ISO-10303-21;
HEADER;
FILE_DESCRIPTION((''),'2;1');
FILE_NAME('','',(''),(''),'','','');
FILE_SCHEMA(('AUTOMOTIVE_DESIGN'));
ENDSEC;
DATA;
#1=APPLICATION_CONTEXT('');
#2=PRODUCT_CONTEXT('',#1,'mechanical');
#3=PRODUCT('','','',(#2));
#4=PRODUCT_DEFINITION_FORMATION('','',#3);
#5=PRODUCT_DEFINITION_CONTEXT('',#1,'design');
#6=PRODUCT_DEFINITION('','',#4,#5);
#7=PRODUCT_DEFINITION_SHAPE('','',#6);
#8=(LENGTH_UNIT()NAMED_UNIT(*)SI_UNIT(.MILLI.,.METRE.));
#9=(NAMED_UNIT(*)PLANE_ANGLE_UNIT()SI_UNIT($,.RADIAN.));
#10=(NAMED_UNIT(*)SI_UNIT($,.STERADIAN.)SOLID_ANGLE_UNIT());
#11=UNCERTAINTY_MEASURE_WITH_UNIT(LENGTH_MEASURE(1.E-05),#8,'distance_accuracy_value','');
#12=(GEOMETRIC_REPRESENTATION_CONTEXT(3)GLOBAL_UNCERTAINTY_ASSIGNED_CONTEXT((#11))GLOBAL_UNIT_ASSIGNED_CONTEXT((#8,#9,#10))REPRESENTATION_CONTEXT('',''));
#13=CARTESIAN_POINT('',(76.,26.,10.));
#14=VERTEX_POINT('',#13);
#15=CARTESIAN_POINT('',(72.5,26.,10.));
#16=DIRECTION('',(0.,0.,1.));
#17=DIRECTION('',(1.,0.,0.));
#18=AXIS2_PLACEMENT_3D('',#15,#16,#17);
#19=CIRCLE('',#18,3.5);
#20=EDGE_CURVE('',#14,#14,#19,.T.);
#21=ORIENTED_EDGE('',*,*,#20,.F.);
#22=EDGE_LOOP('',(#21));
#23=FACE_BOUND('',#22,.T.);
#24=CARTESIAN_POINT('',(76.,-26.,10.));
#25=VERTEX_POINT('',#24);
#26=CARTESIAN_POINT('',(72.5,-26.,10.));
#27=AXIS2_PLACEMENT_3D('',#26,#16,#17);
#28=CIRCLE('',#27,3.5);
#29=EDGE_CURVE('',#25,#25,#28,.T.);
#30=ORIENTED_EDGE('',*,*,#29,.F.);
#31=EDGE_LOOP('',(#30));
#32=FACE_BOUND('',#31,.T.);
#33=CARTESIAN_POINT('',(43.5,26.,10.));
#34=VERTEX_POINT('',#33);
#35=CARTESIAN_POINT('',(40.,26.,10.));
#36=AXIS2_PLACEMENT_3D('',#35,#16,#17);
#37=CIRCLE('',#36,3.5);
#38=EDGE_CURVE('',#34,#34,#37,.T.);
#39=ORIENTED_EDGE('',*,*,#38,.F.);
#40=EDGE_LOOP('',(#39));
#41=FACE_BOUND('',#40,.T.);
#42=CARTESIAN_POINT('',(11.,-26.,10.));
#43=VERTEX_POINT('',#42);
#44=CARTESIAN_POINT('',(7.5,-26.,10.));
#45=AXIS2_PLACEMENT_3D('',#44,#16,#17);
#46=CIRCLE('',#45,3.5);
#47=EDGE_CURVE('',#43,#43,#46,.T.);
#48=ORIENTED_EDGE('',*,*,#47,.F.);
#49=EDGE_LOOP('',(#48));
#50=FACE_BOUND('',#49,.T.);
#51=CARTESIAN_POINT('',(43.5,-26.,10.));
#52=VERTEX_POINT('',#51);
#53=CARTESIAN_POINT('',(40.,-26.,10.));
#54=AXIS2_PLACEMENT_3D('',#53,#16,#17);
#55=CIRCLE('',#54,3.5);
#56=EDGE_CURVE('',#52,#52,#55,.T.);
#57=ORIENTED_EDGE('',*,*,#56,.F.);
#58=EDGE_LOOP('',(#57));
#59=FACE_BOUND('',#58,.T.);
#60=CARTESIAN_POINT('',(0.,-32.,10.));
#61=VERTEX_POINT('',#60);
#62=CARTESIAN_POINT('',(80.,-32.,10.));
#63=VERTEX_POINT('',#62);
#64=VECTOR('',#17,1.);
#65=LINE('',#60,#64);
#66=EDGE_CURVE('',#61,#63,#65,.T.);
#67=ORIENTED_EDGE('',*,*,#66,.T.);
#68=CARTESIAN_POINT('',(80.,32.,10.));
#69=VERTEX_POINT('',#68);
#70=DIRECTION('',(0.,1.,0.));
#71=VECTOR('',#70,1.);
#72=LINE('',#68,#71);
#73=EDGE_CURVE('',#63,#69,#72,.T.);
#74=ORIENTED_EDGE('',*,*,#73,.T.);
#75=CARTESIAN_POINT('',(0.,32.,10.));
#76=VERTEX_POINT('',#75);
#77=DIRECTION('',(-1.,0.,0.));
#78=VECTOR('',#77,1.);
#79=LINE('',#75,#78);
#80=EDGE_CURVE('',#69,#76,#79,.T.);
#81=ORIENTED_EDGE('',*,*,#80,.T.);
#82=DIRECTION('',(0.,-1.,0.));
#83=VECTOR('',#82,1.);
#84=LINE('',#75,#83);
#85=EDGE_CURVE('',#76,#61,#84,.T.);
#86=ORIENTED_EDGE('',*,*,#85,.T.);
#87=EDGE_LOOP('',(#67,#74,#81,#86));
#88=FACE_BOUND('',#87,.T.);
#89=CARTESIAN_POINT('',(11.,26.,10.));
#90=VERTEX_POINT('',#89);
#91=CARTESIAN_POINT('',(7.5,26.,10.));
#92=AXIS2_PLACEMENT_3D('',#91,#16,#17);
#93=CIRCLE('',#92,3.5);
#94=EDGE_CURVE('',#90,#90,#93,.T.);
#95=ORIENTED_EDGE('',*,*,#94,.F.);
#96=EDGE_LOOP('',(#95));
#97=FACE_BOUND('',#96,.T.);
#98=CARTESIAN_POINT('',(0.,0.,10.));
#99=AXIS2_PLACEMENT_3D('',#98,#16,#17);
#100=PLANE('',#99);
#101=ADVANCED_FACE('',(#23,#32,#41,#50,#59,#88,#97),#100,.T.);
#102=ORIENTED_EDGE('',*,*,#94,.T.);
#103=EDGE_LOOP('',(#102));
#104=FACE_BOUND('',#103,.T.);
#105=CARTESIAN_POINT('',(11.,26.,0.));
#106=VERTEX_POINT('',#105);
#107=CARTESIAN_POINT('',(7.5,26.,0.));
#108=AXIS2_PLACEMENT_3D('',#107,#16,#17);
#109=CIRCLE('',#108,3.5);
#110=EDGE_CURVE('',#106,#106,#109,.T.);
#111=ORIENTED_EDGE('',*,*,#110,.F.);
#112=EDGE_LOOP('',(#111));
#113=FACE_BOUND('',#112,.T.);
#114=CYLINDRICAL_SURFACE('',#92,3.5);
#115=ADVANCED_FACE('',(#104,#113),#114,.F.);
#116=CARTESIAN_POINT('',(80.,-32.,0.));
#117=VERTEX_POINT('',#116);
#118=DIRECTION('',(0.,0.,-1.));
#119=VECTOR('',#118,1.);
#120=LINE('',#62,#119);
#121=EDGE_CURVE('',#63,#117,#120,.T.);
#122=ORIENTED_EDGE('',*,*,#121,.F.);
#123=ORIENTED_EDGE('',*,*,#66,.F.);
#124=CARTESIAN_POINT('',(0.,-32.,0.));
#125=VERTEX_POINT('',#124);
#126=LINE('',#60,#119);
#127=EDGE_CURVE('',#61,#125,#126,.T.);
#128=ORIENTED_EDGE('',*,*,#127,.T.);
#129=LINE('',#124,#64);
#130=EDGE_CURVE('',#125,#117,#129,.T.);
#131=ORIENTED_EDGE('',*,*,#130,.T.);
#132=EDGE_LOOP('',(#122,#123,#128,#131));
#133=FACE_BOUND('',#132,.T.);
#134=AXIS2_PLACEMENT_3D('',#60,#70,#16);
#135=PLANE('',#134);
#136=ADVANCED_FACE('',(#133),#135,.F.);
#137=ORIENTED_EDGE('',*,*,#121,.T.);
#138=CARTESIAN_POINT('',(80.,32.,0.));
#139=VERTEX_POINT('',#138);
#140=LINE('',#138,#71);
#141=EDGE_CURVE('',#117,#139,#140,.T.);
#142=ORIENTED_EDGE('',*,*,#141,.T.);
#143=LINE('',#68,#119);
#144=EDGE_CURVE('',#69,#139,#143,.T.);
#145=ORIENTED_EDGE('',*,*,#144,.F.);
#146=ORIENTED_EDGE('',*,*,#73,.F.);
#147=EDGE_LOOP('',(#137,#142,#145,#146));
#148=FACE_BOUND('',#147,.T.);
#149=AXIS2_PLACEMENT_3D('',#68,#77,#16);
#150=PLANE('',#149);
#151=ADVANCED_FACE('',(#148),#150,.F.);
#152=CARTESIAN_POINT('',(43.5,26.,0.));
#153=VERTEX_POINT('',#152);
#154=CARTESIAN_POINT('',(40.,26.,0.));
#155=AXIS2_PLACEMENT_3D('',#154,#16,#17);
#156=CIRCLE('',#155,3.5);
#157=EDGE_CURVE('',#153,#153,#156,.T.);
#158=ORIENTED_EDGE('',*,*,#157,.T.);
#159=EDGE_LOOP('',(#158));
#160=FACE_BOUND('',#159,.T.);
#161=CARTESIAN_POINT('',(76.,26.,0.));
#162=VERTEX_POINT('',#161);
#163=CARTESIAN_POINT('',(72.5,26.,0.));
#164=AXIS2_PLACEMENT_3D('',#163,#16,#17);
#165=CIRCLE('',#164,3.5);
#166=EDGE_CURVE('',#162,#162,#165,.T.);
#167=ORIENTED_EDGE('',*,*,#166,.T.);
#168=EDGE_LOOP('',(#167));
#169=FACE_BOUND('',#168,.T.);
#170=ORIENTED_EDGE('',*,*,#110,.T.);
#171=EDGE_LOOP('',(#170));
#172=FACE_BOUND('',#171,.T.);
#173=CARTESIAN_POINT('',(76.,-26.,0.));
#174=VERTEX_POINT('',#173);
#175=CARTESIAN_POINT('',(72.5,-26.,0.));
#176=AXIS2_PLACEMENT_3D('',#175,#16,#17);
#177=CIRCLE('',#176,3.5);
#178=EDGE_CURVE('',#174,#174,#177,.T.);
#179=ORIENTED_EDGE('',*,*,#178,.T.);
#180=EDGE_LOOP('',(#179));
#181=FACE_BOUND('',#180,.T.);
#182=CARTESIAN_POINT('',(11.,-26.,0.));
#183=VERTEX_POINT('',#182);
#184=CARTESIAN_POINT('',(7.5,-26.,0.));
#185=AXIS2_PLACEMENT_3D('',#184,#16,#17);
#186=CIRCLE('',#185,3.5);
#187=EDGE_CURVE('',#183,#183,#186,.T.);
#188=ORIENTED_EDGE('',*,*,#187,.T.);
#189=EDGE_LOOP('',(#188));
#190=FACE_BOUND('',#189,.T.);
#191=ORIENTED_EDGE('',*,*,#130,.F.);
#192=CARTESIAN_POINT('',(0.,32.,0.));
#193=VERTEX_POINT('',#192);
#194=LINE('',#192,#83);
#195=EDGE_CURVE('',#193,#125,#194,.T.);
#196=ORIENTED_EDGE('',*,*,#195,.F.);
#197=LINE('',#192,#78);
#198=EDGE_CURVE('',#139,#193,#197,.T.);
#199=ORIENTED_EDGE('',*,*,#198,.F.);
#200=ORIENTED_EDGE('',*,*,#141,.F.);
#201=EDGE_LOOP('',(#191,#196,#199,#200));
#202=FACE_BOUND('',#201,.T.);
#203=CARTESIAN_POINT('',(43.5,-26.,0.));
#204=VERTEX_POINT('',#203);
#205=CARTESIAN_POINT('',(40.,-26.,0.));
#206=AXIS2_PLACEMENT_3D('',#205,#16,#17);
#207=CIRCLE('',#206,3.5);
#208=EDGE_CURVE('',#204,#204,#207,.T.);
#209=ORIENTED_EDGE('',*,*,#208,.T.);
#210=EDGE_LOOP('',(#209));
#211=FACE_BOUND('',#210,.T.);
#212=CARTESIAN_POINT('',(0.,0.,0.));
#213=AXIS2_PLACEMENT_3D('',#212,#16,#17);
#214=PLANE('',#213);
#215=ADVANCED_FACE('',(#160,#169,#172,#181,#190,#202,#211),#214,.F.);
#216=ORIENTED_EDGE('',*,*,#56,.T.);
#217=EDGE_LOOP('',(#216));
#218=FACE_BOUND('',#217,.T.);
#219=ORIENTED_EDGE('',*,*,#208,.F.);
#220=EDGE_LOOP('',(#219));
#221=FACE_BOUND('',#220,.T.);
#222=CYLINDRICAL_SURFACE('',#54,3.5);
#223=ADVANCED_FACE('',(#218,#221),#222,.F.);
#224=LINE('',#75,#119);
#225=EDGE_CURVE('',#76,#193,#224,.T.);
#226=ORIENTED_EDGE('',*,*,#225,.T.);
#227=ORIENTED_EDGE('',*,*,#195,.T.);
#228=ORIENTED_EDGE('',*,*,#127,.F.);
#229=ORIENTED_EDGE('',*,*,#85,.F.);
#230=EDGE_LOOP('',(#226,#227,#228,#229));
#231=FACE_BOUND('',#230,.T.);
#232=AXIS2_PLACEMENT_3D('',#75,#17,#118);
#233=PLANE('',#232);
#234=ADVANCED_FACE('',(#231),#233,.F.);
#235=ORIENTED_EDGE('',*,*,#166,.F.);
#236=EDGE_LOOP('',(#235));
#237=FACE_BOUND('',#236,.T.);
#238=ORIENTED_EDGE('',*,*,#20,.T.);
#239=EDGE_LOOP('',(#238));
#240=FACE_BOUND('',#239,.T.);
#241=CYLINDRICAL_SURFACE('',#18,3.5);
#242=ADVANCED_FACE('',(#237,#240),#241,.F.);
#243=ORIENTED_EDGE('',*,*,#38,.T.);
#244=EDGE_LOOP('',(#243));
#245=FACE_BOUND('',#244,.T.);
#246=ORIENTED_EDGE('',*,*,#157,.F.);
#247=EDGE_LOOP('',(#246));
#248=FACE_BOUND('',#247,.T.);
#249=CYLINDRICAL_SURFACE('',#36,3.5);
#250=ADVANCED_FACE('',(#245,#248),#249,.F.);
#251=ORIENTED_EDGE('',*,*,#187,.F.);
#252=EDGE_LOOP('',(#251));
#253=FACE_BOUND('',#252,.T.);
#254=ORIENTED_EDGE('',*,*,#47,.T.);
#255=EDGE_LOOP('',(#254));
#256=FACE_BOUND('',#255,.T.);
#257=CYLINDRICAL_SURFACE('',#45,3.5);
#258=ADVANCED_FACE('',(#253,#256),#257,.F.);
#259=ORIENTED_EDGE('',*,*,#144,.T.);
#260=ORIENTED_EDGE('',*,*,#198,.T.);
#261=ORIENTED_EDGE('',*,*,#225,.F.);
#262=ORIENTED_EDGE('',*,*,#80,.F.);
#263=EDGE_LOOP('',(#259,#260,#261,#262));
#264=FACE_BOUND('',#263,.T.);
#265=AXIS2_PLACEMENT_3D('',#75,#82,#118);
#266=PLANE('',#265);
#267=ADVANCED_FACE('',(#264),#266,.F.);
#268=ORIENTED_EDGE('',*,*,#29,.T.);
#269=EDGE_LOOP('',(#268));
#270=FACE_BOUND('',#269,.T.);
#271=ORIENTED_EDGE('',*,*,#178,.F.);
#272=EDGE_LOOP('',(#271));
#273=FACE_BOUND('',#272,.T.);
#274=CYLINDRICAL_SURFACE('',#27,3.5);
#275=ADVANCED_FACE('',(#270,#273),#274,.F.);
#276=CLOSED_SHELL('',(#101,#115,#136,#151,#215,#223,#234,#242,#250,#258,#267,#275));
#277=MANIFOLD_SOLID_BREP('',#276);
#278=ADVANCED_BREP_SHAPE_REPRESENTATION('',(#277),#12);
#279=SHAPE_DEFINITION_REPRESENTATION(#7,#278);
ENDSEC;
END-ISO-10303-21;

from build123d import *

# Parameters (mm, degrees)
SKETCH1_W            = 80
SKETCH1_H            = 64
BOSS_EXTRUDE1_DEPTH  = 10
LPATTERN1_COUNT      = 3
LPATTERN1_PITCH      = 32.5
LPATTERN1_COUNT_DIR2 = 2
LPATTERN1_PITCH_DIR2 = 52


with BuildPart() as part:
    # Sketch1 → Boss-Extrude1 (new body)
    with BuildSketch(Plane.XY):
        with Locations((40, 0)):
            Rectangle(SKETCH1_W, SKETCH1_H)
    extrude(amount=BOSS_EXTRUDE1_DEPTH)

    # Sketch4 → M6 Clearance Hole1 (revolve, cut)
    with BuildSketch(Plane(origin=(7.5, -26, 10), x_dir=(0, -1, 0), z_dir=(1, 0, 0))):
        Polygon((0, 0), (0, 28.103012167), (3.5, 26), (3.5, 0), align=None)
    m6_clearance_hole1 = revolve(axis=Axis((7.5, -26, 16.35), (0, 0, -1)), mode=Mode.SUBTRACT)

    # LPattern1: M6 Clearance Hole1 3 × 2
    with Locations(*[(i * LPATTERN1_PITCH, j * LPATTERN1_PITCH_DIR2, 0) for i in range(LPATTERN1_COUNT) for j in range(LPATTERN1_COUNT_DIR2) if (i, j) != (0, 0)]):
        add(m6_clearance_hole1, mode=Mode.SUBTRACT)


solid = part.part
